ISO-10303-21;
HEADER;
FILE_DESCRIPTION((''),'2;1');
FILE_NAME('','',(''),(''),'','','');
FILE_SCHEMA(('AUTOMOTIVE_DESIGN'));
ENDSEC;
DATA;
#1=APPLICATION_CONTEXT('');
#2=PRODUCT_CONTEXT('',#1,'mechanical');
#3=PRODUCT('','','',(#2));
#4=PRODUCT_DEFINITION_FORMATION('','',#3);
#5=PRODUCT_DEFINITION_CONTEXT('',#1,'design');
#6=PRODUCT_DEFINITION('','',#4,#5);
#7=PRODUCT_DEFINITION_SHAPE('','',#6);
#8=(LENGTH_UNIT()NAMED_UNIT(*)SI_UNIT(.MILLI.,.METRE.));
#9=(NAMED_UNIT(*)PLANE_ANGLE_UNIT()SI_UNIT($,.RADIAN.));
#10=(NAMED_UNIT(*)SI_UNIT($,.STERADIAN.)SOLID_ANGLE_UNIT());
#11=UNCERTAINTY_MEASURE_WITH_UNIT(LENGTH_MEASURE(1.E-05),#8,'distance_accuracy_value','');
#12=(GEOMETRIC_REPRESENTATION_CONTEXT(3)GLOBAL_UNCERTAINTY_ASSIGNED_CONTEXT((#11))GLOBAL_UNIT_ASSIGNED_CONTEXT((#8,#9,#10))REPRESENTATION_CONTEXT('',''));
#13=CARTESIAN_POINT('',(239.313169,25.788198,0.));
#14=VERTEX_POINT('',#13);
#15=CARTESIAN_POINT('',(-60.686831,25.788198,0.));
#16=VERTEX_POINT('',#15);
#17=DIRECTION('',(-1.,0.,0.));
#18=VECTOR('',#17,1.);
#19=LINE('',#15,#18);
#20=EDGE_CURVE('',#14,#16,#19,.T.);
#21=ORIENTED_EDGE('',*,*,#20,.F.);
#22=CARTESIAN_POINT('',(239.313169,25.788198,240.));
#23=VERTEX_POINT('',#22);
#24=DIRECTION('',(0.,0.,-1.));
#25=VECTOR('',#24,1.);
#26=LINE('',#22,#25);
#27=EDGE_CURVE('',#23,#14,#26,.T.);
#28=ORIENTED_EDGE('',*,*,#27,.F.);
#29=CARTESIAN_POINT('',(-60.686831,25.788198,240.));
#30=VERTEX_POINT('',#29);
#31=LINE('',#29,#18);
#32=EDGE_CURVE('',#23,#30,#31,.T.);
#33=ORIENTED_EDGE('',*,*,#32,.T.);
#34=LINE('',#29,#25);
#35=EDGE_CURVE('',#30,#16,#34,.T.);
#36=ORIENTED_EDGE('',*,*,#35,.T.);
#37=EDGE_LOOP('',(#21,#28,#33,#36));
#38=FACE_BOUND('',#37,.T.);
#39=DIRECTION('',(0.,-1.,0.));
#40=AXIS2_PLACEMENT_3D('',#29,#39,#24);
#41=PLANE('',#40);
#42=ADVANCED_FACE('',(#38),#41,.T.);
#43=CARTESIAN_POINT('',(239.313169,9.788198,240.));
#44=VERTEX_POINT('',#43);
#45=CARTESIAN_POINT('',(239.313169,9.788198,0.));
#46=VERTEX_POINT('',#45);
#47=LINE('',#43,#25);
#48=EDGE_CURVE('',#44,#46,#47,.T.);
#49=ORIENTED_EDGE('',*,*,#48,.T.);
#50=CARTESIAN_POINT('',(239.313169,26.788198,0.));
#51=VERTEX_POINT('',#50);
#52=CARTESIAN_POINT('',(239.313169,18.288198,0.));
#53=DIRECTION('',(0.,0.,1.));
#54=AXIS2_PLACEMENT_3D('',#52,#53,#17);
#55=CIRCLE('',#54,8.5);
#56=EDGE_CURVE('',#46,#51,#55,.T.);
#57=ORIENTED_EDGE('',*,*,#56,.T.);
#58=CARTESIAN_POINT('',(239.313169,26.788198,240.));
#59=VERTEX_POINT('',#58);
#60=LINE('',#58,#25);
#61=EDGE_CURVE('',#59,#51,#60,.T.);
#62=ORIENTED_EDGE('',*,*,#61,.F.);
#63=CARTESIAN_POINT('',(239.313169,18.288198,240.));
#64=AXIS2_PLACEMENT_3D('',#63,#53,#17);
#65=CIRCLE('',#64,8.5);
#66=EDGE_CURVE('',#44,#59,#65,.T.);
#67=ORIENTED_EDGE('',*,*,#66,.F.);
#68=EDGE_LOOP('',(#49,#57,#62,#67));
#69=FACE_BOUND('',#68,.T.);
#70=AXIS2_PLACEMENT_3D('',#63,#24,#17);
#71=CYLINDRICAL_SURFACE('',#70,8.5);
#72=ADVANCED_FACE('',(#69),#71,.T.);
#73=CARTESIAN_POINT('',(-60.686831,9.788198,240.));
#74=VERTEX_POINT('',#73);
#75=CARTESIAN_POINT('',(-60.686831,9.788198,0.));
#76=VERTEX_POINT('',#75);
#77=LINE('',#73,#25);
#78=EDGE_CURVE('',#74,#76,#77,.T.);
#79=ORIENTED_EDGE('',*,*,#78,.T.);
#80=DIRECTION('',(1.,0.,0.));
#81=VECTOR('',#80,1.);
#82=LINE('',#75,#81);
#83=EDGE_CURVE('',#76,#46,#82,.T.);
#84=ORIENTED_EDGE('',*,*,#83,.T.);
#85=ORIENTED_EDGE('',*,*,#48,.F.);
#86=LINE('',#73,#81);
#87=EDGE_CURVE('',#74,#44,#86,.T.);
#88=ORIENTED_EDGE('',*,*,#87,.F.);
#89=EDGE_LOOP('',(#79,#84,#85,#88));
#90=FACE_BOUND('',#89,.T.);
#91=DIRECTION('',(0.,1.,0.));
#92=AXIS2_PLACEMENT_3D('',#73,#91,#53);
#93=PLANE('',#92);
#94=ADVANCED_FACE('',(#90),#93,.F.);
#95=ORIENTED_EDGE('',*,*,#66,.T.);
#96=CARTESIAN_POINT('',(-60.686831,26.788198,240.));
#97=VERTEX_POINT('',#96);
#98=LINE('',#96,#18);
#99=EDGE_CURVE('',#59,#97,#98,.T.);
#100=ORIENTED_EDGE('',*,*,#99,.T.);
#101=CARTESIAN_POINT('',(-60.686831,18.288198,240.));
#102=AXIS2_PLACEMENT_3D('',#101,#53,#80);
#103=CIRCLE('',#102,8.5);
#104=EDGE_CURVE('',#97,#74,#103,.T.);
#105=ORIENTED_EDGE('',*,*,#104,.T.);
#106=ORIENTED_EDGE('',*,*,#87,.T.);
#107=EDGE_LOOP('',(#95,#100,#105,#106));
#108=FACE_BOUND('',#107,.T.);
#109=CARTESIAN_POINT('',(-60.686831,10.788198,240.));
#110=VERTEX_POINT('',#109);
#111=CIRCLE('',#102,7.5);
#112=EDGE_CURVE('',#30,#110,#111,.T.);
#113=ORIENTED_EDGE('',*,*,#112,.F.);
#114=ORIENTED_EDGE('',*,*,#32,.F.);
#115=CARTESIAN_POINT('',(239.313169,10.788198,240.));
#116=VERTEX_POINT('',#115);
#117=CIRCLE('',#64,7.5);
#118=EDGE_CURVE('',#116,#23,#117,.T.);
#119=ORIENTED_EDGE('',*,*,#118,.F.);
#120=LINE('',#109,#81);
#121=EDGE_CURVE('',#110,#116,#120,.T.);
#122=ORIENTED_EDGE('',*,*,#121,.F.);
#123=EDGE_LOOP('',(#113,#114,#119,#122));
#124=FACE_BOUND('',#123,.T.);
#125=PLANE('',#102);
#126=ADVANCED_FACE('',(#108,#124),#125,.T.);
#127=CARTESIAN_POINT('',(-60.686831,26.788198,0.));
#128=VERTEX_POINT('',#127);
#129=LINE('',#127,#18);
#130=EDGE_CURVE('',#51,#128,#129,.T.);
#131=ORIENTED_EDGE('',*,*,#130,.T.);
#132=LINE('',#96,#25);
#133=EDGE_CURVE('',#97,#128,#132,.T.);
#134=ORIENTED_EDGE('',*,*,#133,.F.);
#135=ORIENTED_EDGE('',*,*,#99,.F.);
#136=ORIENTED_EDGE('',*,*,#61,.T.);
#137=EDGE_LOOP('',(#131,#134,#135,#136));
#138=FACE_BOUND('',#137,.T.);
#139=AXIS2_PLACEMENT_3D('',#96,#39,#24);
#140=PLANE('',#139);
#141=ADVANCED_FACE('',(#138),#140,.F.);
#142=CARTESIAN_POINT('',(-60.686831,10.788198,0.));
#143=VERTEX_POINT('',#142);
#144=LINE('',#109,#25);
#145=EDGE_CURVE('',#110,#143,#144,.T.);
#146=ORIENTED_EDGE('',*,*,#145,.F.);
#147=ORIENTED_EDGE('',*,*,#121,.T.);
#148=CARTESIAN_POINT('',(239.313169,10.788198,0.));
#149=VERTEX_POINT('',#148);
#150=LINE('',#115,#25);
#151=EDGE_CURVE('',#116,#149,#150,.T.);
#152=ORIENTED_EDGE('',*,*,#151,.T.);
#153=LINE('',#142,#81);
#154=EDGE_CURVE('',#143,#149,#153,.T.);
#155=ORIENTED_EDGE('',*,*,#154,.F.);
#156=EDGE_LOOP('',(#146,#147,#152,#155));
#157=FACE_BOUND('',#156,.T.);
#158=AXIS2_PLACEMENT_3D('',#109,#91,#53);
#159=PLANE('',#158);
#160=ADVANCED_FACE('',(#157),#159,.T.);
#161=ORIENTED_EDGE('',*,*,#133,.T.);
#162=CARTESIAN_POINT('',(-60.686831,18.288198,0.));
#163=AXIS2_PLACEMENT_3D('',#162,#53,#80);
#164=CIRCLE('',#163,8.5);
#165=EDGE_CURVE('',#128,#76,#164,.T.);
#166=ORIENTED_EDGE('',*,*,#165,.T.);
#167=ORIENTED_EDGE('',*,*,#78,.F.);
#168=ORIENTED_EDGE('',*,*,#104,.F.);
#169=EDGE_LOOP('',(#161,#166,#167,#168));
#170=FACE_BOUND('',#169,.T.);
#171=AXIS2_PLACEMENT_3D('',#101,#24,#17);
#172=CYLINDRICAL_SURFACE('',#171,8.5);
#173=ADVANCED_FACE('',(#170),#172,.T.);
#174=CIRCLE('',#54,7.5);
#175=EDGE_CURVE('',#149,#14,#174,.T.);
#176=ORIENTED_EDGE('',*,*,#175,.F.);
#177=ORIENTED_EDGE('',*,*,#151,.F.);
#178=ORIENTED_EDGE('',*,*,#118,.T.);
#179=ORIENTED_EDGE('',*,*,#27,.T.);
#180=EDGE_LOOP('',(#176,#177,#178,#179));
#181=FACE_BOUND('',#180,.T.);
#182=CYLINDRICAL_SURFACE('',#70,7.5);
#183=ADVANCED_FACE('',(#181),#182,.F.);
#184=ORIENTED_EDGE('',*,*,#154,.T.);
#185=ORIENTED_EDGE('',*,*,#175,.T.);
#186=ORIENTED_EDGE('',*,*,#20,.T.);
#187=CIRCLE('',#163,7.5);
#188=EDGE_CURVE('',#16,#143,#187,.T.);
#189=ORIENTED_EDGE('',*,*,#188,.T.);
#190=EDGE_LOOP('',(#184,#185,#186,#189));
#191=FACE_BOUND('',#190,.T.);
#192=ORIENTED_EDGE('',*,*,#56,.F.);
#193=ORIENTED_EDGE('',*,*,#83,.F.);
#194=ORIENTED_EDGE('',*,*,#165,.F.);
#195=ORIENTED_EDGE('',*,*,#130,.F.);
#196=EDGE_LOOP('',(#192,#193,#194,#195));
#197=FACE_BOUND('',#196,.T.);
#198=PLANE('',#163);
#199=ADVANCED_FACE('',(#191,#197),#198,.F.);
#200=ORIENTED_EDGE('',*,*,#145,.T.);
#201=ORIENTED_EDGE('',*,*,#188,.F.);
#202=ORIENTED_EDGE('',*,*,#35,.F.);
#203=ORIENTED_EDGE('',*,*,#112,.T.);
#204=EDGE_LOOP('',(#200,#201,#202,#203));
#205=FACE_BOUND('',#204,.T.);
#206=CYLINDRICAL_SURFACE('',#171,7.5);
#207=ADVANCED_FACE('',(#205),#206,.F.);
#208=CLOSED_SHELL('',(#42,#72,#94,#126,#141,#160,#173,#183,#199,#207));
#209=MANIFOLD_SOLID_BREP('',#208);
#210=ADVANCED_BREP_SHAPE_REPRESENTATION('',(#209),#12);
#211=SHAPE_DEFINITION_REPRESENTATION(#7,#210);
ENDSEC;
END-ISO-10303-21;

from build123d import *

# Parameters (mm, degrees)
BOSS_EXTRUDE1_DEPTH = 240


with BuildPart() as part:
    # Sketch1 → Boss-Extrude1 (new body)
    with BuildSketch(Plane.XY):
        with BuildLine():
            Line((-60.686830524, 26.788198472), (239.313169476, 26.788198472))
            ThreePointArc((239.313169476, 26.788198472), (247.813169476, 18.288198472), (239.313169476, 9.788198472))
            Line((239.313169476, 9.788198472), (-60.686830524, 9.788198472))
            ThreePointArc((-60.686830524, 9.788198472), (-69.186830524, 18.288198472), (-60.686830524, 26.788198472))
        make_face()
        with BuildLine():
            Line((-60.686830524, 10.788198472), (239.313169476, 10.788198472))
            ThreePointArc((239.313169476, 10.788198472), (246.813169476, 18.288198472), (239.313169476, 25.788198472))
            Line((239.313169476, 25.788198472), (-60.686830524, 25.788198472))
            ThreePointArc((-60.686830524, 25.788198472), (-68.186830524, 18.288198472), (-60.686830524, 10.788198472))
        make_face(mode=Mode.SUBTRACT)
    extrude(amount=BOSS_EXTRUDE1_DEPTH)


solid = part.part
